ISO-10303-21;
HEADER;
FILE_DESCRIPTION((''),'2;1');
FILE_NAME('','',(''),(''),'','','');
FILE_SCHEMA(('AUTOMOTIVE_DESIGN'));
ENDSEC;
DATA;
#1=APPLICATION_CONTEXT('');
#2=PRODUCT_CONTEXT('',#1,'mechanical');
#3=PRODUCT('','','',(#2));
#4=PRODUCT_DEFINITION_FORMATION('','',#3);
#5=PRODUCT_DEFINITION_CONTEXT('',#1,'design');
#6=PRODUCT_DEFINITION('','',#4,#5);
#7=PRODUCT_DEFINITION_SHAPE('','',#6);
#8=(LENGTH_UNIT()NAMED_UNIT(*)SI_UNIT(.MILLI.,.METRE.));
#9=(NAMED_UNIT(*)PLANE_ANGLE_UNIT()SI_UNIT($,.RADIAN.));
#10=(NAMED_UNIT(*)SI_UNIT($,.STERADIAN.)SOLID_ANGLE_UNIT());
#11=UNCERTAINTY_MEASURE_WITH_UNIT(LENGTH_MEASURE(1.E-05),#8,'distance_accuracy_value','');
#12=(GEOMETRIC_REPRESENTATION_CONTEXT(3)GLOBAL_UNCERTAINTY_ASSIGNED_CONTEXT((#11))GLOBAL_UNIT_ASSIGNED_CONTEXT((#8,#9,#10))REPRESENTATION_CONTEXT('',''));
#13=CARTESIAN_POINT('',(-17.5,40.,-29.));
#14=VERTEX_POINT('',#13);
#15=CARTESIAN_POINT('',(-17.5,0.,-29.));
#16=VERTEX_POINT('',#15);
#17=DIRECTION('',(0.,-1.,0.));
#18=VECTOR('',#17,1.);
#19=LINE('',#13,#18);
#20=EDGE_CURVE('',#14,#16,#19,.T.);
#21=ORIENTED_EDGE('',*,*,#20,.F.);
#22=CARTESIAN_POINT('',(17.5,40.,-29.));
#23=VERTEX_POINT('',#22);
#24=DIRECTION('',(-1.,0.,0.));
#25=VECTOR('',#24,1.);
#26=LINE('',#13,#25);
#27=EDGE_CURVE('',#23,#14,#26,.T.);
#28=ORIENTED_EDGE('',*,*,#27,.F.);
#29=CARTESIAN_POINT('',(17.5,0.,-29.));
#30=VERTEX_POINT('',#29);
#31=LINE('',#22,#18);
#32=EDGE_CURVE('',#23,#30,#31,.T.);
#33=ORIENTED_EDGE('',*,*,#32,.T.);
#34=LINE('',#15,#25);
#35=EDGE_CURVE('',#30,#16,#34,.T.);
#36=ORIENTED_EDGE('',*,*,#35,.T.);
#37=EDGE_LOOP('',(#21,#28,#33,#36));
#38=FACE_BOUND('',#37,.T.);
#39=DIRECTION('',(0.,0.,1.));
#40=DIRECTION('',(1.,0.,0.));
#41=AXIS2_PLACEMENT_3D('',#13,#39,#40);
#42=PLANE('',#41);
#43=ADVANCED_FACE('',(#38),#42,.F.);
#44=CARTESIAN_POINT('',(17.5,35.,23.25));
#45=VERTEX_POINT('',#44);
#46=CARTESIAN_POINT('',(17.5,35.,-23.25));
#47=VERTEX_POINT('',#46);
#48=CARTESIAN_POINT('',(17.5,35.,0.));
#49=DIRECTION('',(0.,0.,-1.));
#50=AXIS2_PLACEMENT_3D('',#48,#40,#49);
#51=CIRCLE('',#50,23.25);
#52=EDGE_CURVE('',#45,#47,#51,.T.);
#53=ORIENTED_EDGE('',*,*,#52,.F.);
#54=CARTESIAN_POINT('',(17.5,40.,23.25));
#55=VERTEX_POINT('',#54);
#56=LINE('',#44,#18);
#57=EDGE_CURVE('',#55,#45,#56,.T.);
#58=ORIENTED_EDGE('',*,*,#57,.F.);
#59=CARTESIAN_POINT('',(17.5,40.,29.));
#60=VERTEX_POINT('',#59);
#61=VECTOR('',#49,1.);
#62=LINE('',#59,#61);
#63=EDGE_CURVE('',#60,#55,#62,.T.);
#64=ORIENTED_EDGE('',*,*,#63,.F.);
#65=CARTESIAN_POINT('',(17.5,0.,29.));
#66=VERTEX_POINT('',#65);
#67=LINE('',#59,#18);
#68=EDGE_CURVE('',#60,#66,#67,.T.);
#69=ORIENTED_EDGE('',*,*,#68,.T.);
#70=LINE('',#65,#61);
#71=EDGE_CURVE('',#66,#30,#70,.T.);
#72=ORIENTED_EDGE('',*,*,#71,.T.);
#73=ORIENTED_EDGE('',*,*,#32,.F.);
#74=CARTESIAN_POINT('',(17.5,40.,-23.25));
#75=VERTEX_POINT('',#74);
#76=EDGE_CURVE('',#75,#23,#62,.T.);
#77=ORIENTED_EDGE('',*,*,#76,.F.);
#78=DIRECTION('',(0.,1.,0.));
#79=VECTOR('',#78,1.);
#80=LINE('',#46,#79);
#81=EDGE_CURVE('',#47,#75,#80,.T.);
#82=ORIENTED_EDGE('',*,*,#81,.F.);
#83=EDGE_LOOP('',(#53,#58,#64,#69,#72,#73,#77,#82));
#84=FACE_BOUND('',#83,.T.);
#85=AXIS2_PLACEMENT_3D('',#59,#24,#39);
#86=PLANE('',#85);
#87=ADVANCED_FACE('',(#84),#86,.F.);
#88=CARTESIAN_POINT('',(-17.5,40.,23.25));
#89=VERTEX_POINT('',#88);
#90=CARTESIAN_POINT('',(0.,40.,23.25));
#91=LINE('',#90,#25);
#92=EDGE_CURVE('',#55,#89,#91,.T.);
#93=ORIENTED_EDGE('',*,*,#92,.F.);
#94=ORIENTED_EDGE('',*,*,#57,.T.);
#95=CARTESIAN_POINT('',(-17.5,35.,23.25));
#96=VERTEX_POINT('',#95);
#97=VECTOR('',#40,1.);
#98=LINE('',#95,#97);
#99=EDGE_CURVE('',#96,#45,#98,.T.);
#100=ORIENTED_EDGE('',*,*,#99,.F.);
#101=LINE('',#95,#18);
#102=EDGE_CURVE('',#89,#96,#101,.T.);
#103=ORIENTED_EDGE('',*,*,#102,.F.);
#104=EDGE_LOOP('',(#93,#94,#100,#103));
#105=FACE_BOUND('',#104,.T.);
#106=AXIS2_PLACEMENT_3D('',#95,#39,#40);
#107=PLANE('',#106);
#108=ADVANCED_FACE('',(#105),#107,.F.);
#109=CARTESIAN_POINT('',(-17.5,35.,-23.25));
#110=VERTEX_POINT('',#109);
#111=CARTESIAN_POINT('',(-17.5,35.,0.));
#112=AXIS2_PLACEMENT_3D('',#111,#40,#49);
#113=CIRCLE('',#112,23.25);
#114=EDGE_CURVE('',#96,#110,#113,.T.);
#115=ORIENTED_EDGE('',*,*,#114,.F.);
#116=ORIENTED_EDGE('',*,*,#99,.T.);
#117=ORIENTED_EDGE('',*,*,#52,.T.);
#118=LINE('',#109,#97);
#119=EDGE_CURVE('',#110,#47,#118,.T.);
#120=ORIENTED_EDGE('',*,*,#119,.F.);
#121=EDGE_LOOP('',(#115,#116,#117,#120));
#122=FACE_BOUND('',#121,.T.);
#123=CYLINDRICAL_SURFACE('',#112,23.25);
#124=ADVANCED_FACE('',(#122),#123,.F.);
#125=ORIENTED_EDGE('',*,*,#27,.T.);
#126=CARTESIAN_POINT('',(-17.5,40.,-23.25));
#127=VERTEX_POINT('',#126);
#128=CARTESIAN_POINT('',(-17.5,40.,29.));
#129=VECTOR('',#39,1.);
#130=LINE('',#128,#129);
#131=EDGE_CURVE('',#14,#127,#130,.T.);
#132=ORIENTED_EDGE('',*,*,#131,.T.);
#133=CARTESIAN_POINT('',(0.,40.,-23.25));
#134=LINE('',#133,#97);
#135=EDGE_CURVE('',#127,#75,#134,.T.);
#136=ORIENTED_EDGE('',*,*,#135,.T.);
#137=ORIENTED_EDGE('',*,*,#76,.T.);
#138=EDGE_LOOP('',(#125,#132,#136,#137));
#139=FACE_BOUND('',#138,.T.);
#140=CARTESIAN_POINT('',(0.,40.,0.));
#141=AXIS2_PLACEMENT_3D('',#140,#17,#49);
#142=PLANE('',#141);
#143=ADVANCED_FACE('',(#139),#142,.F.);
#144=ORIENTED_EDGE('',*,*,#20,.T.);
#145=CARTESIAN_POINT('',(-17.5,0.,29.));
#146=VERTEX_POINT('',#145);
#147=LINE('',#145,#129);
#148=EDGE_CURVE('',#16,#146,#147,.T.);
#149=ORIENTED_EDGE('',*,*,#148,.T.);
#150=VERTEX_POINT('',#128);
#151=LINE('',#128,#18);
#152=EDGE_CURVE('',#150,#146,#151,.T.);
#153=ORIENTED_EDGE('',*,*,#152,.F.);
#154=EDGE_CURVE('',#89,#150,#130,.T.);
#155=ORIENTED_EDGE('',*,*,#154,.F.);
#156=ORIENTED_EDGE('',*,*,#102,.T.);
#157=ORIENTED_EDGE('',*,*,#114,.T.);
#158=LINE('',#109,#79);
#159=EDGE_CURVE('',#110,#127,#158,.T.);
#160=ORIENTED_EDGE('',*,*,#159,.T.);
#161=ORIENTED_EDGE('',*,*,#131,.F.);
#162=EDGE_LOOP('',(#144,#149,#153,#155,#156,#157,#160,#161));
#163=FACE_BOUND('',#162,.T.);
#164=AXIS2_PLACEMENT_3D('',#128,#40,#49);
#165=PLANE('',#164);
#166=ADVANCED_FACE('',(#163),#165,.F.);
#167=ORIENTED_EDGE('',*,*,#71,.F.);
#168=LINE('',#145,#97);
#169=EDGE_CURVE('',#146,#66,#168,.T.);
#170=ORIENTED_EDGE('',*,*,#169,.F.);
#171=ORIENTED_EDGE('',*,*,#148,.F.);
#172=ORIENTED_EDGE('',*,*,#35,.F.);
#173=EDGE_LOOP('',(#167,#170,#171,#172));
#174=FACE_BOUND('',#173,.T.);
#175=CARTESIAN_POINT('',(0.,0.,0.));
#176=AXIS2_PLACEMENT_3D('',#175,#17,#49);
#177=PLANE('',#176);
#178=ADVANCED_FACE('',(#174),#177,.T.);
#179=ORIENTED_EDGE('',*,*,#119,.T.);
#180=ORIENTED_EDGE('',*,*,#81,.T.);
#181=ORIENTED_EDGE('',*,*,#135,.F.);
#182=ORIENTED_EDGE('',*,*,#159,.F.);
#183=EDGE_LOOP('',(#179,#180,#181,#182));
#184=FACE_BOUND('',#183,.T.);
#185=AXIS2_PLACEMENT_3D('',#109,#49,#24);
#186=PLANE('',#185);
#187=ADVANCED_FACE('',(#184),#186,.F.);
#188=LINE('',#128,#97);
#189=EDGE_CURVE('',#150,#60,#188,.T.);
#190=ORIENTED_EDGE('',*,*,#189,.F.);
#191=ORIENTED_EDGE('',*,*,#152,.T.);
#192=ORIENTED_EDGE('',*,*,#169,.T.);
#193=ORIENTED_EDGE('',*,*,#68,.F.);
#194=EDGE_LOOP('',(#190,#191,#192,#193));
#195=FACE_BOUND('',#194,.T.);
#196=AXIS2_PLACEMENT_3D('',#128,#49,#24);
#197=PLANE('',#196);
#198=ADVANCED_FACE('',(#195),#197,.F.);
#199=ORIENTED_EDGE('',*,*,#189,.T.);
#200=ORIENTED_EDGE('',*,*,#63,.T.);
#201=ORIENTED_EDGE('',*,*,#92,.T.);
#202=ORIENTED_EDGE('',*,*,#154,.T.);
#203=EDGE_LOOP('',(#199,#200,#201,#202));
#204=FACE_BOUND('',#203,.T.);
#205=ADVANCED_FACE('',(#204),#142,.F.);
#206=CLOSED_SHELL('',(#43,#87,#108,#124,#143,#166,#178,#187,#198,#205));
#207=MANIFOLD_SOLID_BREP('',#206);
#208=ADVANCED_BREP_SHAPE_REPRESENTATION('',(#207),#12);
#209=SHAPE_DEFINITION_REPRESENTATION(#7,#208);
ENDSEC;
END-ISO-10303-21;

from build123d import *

# Parameters (mm, degrees)
SKETCH1_W           = 35
SKETCH1_H           = 58
BOSS_EXTRUDE1_DEPTH = 40
CUT_EXTRUDE1_DEPTH  = 61.547502013


with BuildPart() as part:
    # Sketch1 → Boss-Extrude1 (new body)
    with BuildSketch(Plane(origin=(0, 0, 0), x_dir=(1, 0, 0), z_dir=(0, 1, 0))):
        Rectangle(SKETCH1_W, SKETCH1_H)
    extrude(amount=BOSS_EXTRUDE1_DEPTH)

    # Sketch2 → Cut-Extrude1 (cut, through all)
    with BuildSketch(Plane(origin=(17.5, 0, 0), x_dir=(0, 0, -1), z_dir=(1, 0, 0))):
        with BuildLine():
            Line((-23.25, 35), (-23.25, 58.25))
            Line((-23.25, 58.25), (23.25, 58.25))
            Line((23.25, 58.25), (23.25, 35))
            ThreePointArc((23.25, 35), (0, 11.75), (-23.25, 35))
        make_face()
    extrude(amount=-CUT_EXTRUDE1_DEPTH, mode=Mode.SUBTRACT)


solid = part.part
